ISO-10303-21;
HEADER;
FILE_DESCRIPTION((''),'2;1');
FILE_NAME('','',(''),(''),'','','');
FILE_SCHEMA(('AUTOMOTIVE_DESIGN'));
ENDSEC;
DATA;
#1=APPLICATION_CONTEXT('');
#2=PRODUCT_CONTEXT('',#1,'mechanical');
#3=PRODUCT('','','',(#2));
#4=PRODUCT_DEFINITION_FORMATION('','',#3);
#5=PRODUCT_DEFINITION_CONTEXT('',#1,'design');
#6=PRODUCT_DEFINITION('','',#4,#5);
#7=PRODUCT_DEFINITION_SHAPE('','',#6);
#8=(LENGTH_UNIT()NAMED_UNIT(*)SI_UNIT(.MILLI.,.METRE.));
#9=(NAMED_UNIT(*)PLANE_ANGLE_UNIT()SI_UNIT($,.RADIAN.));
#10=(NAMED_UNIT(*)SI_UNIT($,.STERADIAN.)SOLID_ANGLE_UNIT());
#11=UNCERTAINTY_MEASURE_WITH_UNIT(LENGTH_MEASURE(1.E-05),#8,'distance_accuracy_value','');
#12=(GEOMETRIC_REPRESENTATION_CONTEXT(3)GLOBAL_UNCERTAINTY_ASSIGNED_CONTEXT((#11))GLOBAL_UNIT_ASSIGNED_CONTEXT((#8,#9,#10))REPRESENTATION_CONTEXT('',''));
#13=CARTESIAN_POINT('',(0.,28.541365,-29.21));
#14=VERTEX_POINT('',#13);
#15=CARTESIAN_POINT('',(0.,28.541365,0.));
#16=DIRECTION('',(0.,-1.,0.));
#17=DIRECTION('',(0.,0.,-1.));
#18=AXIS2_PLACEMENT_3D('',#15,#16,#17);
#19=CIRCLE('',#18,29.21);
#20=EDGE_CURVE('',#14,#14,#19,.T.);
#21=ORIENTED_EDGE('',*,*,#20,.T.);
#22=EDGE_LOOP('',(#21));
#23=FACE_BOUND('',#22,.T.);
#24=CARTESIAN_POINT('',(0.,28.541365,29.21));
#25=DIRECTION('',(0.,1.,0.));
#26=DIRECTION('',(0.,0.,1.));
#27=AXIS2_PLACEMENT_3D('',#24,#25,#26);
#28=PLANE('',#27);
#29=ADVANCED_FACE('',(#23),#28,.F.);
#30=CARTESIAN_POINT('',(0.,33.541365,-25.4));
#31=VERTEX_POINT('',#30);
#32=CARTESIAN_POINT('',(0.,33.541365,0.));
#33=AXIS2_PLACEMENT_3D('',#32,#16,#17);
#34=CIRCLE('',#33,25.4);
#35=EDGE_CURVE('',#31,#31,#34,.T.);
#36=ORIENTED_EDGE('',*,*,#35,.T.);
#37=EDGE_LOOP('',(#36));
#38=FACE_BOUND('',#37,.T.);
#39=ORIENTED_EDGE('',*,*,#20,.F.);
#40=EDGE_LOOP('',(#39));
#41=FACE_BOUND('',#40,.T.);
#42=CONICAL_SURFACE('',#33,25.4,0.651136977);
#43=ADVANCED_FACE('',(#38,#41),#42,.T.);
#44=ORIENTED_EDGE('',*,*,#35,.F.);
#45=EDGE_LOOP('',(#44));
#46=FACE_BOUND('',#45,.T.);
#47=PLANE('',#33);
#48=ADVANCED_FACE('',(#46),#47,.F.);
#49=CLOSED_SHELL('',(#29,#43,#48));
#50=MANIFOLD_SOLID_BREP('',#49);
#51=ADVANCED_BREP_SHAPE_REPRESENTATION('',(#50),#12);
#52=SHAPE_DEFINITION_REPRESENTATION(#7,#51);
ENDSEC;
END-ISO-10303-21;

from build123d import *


with BuildPart() as part:
    # Sketch1 → Revolve1 (revolve)
    with BuildSketch(Plane(origin=(0, 0, 0), x_dir=(0, 0, -1), z_dir=(1, 0, 0)), mode=Mode.PRIVATE) as revolve1_sk:
        Polygon((0, 33.54136502), (-25.4, 33.54136502), (-29.21, 28.54136502), (0, 28.54136502), align=None)
    revolve(revolve1_sk.sketch.rotate(Axis((0, 0, 0), (0, 1, 0)), 180), axis=Axis((0, 0, 0), (0, 1, 0)))


solid = part.part
